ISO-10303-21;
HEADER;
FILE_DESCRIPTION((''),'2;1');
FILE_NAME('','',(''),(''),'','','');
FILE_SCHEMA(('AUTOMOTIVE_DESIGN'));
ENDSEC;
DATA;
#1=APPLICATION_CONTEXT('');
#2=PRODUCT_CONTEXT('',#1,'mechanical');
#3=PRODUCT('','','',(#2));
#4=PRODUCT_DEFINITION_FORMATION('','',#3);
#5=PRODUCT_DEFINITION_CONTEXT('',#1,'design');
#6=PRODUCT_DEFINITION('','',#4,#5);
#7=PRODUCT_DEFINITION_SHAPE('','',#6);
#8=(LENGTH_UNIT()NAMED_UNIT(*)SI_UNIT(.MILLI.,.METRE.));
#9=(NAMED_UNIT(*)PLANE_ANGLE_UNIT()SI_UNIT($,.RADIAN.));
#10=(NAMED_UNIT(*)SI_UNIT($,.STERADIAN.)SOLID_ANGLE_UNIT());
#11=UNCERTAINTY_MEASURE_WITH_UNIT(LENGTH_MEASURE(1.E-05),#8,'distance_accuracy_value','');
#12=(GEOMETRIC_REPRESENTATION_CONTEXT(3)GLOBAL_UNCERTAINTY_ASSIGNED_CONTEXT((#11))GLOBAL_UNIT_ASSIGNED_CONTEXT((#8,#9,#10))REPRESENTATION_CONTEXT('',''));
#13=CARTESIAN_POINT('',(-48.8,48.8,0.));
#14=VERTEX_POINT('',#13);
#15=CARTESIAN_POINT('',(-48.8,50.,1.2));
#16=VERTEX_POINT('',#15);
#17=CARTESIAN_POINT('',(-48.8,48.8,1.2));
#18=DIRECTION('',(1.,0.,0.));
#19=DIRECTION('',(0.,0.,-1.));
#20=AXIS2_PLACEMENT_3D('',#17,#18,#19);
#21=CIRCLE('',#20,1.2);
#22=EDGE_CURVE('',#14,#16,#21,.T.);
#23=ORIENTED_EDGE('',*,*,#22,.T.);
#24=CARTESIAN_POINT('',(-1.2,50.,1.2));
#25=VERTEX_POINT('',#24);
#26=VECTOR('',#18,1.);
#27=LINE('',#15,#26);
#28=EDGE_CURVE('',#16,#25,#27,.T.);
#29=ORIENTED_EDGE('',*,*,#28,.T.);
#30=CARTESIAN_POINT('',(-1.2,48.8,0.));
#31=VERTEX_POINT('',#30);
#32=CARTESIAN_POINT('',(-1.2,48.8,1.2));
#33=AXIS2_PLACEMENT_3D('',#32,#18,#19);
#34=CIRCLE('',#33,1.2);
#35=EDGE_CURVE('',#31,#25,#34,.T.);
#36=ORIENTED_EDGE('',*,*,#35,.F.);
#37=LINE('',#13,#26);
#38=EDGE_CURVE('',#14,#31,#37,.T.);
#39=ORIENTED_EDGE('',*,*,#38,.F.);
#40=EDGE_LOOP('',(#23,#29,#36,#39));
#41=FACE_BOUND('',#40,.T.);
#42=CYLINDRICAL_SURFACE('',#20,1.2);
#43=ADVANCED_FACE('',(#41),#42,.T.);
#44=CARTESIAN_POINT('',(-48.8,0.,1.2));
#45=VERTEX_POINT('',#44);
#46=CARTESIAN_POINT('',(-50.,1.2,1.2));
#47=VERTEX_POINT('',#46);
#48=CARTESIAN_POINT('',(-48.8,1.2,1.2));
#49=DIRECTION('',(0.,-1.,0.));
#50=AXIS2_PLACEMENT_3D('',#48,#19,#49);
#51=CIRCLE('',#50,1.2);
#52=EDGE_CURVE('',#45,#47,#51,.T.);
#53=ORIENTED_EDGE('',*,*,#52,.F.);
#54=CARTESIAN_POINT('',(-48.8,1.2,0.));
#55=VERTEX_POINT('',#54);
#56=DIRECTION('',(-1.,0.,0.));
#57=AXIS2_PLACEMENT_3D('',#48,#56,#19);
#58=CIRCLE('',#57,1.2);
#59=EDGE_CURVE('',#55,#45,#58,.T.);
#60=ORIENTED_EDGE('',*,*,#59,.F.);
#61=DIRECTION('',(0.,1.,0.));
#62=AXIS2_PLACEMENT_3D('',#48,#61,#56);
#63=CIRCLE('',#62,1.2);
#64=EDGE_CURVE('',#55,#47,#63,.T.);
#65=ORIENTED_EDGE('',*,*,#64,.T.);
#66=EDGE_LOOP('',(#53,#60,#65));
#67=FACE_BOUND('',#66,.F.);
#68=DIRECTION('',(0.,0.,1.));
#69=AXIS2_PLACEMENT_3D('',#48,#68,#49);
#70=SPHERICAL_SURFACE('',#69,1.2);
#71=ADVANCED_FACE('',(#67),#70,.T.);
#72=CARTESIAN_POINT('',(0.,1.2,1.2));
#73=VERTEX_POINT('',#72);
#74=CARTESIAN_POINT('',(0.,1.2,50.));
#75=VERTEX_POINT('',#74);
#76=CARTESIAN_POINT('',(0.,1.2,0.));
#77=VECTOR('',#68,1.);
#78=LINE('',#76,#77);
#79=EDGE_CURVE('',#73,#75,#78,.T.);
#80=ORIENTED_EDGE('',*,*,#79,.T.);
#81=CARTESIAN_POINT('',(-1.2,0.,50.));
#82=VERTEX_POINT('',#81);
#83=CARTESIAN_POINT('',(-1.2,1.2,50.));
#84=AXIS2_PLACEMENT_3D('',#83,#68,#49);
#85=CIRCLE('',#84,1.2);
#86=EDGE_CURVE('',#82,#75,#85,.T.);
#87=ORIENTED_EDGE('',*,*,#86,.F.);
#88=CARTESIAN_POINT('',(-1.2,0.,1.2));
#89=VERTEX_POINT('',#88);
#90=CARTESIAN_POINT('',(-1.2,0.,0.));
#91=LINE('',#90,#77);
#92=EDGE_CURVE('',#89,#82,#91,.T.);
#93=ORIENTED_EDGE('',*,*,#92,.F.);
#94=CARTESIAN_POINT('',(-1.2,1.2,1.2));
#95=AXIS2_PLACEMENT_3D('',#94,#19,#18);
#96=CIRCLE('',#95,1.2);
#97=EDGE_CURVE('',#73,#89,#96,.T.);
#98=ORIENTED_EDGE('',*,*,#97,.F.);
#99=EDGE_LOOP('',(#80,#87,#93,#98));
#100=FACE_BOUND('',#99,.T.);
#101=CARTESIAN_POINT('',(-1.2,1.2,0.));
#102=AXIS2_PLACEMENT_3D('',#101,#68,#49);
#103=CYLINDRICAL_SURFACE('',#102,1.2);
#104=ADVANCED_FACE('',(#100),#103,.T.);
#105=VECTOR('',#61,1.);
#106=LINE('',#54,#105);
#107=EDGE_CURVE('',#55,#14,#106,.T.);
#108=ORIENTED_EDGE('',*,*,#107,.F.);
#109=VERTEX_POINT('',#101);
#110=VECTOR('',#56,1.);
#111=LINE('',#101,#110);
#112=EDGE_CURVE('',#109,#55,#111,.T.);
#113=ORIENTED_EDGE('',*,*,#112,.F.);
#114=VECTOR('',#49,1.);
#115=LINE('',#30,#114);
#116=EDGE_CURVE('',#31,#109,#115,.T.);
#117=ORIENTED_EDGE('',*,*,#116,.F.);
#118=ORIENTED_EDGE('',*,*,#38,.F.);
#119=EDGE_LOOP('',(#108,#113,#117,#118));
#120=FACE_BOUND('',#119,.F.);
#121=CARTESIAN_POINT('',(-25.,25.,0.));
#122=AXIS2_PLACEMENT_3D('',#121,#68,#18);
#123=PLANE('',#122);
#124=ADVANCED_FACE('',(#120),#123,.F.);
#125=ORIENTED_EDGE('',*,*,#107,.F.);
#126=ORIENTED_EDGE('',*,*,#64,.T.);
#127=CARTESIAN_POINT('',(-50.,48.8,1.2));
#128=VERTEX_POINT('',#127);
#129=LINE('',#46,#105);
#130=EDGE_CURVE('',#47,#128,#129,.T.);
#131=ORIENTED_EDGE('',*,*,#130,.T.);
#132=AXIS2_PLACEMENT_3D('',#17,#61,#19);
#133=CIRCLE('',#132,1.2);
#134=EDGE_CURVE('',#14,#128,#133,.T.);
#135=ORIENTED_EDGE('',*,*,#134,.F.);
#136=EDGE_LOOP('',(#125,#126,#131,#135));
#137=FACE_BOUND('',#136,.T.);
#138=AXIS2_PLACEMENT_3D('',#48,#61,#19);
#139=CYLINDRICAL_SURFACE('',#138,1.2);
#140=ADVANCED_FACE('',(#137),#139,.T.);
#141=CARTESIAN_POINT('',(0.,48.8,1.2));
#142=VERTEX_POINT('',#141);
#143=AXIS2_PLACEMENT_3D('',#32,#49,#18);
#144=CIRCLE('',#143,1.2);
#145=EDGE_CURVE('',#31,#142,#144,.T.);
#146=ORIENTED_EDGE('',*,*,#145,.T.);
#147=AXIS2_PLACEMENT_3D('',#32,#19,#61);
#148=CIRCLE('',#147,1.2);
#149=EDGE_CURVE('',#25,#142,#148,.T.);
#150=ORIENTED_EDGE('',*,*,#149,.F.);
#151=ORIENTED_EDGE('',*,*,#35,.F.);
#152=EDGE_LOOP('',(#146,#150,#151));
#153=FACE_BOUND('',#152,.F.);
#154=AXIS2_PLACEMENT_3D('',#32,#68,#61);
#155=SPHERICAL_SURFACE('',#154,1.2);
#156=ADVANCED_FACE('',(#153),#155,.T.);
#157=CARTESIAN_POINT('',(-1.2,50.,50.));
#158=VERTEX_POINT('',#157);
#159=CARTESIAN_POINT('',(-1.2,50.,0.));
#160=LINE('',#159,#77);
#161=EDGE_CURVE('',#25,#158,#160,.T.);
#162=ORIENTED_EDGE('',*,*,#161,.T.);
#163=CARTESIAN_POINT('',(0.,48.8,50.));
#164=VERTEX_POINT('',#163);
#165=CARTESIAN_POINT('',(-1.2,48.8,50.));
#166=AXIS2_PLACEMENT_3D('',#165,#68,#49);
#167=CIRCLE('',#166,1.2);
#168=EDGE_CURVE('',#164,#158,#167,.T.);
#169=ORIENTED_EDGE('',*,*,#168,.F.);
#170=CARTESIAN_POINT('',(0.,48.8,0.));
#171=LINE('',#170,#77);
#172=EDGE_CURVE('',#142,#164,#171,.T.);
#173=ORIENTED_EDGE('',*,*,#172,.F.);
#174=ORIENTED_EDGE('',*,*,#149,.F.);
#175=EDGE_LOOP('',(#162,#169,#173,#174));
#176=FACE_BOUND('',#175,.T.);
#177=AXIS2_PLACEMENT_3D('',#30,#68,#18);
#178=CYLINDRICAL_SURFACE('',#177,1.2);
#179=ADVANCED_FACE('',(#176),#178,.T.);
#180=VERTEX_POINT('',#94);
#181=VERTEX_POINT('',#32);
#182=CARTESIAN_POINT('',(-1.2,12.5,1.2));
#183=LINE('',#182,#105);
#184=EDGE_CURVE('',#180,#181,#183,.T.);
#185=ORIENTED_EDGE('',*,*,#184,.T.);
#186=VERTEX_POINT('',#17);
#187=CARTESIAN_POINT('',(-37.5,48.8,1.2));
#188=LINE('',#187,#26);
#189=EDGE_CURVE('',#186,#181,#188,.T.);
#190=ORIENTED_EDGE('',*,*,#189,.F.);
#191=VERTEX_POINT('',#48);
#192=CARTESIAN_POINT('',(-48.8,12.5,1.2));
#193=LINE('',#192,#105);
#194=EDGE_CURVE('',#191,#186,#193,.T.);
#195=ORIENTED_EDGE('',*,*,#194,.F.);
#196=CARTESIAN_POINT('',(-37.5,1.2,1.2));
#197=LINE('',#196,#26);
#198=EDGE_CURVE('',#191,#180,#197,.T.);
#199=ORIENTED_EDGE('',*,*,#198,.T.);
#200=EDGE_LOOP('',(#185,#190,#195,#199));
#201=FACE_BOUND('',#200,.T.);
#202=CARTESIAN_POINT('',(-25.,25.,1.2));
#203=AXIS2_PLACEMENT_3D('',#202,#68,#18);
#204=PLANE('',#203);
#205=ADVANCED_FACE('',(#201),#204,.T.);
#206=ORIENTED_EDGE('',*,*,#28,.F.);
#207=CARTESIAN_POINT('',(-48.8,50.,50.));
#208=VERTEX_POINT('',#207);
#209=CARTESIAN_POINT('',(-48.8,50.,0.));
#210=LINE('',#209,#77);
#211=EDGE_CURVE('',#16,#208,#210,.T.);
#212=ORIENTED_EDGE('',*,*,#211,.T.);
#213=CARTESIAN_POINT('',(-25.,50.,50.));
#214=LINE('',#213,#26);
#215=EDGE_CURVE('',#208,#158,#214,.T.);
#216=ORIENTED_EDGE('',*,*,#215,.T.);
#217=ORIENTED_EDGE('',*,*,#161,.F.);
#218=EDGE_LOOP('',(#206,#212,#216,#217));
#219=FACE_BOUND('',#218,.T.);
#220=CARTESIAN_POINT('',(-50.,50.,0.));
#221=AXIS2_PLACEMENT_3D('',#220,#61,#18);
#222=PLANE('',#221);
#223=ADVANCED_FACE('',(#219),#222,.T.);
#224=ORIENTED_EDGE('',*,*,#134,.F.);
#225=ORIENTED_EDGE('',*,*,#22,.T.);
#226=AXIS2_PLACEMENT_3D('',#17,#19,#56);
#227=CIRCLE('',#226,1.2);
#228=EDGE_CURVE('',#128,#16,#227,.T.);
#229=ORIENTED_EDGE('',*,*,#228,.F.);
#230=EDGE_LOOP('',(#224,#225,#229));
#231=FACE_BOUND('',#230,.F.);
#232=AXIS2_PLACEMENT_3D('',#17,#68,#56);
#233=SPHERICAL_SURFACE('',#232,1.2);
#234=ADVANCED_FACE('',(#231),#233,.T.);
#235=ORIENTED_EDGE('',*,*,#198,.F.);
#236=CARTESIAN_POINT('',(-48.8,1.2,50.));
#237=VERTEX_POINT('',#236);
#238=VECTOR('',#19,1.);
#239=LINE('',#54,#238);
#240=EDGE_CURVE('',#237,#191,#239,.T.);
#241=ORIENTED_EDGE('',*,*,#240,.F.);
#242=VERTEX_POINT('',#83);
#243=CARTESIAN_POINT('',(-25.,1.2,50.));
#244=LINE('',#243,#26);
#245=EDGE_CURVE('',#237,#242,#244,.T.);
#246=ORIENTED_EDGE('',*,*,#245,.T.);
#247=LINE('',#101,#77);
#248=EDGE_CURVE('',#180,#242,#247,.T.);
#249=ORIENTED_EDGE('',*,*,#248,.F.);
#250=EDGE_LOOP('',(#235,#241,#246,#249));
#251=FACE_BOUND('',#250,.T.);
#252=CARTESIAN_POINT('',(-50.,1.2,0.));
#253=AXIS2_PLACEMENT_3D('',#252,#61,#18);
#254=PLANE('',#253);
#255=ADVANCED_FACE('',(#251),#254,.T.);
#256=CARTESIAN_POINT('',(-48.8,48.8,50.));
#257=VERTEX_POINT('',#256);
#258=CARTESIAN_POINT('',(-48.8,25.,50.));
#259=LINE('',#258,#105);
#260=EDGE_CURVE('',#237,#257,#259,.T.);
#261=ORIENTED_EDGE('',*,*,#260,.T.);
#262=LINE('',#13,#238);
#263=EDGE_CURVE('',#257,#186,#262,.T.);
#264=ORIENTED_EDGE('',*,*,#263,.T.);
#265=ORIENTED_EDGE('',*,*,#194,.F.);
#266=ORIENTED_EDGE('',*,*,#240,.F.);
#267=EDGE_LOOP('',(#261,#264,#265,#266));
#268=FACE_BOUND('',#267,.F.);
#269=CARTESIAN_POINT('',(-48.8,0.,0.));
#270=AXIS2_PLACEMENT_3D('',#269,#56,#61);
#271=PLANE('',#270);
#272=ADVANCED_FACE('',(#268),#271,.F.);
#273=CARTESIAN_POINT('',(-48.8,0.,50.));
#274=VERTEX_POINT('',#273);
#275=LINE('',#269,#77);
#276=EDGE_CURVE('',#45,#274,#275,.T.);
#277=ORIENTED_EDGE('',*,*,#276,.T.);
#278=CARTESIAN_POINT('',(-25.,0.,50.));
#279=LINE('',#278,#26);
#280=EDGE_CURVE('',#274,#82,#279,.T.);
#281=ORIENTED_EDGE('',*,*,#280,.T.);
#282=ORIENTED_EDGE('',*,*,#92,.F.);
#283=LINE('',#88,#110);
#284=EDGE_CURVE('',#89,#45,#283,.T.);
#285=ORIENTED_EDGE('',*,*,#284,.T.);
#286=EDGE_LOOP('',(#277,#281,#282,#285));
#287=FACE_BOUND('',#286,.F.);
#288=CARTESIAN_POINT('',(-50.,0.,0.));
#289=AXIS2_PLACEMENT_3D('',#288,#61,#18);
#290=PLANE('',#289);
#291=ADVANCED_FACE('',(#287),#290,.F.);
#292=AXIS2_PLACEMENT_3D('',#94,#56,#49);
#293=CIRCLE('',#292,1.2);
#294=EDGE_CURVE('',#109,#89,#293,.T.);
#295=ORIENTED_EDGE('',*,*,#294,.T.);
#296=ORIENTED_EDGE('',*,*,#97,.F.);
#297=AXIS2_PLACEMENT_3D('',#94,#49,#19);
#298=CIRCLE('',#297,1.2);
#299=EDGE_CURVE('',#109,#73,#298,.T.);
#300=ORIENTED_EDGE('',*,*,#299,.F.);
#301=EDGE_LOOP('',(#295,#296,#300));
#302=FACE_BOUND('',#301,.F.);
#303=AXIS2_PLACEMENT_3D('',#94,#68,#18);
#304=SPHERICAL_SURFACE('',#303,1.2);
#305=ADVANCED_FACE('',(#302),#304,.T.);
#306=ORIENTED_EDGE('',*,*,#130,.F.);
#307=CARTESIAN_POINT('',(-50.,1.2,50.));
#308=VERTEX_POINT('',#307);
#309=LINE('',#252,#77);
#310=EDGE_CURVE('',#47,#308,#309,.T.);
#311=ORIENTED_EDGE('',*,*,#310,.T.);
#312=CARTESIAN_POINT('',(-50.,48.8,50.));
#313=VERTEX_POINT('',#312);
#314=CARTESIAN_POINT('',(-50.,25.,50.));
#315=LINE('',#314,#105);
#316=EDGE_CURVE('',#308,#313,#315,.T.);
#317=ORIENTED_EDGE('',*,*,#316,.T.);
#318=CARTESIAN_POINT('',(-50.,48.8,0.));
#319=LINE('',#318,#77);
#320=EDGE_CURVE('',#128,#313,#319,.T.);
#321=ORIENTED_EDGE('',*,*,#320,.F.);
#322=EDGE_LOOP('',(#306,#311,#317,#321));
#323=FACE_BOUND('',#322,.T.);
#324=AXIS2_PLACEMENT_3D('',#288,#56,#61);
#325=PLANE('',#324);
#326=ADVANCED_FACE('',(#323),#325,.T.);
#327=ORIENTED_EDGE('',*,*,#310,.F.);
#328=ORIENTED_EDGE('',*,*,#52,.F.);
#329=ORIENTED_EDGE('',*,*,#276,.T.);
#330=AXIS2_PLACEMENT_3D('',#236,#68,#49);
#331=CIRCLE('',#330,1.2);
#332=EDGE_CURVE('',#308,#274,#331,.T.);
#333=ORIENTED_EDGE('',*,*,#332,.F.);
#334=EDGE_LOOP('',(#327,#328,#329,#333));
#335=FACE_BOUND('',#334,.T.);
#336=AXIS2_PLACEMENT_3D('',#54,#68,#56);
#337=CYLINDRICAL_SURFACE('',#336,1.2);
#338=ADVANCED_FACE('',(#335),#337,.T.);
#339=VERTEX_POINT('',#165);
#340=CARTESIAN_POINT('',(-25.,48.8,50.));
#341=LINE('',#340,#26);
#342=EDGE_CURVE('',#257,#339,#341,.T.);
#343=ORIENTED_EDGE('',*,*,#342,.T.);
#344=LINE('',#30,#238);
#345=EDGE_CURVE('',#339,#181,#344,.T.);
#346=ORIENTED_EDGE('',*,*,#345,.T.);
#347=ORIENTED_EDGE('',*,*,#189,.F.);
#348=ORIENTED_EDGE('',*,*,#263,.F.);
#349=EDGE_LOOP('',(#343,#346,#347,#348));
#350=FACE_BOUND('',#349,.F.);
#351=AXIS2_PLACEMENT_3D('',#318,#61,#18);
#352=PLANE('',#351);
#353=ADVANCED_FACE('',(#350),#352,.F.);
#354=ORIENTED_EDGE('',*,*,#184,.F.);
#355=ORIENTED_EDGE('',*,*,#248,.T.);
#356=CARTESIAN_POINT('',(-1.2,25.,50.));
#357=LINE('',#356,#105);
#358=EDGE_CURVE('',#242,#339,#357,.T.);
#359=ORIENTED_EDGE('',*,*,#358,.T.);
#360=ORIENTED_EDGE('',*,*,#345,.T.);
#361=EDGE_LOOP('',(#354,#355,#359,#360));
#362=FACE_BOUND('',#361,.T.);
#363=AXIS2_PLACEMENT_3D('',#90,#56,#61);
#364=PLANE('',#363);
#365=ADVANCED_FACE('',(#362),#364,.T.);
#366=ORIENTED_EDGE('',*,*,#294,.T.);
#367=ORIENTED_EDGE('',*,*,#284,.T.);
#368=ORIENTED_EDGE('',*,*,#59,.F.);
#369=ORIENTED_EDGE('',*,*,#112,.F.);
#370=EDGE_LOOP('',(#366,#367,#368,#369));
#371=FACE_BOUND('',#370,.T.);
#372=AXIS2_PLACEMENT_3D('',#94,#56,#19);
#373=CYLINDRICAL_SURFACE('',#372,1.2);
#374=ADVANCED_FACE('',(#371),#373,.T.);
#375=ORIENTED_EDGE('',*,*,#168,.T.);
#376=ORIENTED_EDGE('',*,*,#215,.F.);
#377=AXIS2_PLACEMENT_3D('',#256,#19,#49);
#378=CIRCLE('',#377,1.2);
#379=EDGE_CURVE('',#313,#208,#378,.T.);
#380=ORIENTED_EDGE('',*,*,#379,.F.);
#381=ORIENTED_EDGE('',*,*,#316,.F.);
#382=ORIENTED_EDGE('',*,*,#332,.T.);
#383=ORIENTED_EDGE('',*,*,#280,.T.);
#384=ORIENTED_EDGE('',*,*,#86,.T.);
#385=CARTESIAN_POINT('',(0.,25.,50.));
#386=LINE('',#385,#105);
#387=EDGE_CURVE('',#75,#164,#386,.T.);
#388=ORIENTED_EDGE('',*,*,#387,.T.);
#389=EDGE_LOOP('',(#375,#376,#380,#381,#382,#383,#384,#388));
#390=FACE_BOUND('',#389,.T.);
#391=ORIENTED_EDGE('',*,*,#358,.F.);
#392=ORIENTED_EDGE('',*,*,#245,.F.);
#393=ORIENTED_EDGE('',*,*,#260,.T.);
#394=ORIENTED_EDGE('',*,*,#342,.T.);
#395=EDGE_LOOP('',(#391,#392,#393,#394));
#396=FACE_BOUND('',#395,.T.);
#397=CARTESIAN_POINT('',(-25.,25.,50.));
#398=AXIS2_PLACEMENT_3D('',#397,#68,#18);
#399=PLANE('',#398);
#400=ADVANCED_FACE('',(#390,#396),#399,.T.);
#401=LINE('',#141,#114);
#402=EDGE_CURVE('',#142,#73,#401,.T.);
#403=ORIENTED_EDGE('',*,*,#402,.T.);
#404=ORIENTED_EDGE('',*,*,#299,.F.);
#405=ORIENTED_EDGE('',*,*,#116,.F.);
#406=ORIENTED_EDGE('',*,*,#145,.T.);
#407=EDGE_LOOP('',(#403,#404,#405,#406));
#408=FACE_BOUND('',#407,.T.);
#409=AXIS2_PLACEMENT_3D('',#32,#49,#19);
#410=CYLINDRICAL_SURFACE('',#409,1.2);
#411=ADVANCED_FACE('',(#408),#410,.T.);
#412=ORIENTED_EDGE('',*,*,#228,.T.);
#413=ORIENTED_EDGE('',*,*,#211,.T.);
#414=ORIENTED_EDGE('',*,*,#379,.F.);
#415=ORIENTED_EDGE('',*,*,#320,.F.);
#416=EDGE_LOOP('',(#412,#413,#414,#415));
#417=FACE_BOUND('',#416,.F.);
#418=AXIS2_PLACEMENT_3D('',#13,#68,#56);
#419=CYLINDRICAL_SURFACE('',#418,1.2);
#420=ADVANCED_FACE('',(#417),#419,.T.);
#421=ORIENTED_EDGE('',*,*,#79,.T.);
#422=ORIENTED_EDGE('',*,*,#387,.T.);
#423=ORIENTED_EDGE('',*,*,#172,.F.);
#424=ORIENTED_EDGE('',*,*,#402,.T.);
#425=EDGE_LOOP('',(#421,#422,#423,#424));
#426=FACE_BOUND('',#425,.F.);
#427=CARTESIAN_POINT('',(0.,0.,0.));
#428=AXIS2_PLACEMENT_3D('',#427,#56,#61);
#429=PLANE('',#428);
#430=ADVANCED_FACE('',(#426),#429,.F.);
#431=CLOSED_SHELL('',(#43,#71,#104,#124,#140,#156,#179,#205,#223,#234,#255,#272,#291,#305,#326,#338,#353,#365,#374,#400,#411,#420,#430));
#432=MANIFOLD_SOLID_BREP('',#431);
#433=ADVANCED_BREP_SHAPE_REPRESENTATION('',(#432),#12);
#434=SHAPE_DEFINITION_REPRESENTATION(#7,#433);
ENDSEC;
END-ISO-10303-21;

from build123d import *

# Parameters (mm, degrees)
F0_W     = 50
F0_H     = 50
F1_DEPTH = 50
F2_T     = -1.2
F3_R     = 1.2
F4_R     = 1.2


with BuildPart() as f1:
    # F0 (on Top) → F1 (new body)
    with BuildSketch(Plane.XY):
        with Locations((-25, 25)):
            Rectangle(F0_W, F0_H)
    extrude(amount=F1_DEPTH)

    # F2
    f2_openings = [f1.faces().sort_by_distance(p)[0] for p in [
        (-25, 25, 50),
    ]]
    offset(amount=F2_T, openings=f2_openings)

    # F3
    f3_edges = [f1.edges().sort_by_distance(p)[0] for p in [
        (-50, 50, 25),
        (-50, 0, 25),
        (0, 0, 25),
        (0, 50, 25),
    ]]
    fillet(f3_edges, radius=F3_R)

    # F4
    f4_edges = [f1.edges().sort_by_distance(p)[0] for p in [
        (-25, 50, 0),
        (-50, 25, 0),
        (0, 25, 0),
        (-25, 0, 0),
    ]]
    fillet(f4_edges, radius=F4_R)


solid = f1.part
